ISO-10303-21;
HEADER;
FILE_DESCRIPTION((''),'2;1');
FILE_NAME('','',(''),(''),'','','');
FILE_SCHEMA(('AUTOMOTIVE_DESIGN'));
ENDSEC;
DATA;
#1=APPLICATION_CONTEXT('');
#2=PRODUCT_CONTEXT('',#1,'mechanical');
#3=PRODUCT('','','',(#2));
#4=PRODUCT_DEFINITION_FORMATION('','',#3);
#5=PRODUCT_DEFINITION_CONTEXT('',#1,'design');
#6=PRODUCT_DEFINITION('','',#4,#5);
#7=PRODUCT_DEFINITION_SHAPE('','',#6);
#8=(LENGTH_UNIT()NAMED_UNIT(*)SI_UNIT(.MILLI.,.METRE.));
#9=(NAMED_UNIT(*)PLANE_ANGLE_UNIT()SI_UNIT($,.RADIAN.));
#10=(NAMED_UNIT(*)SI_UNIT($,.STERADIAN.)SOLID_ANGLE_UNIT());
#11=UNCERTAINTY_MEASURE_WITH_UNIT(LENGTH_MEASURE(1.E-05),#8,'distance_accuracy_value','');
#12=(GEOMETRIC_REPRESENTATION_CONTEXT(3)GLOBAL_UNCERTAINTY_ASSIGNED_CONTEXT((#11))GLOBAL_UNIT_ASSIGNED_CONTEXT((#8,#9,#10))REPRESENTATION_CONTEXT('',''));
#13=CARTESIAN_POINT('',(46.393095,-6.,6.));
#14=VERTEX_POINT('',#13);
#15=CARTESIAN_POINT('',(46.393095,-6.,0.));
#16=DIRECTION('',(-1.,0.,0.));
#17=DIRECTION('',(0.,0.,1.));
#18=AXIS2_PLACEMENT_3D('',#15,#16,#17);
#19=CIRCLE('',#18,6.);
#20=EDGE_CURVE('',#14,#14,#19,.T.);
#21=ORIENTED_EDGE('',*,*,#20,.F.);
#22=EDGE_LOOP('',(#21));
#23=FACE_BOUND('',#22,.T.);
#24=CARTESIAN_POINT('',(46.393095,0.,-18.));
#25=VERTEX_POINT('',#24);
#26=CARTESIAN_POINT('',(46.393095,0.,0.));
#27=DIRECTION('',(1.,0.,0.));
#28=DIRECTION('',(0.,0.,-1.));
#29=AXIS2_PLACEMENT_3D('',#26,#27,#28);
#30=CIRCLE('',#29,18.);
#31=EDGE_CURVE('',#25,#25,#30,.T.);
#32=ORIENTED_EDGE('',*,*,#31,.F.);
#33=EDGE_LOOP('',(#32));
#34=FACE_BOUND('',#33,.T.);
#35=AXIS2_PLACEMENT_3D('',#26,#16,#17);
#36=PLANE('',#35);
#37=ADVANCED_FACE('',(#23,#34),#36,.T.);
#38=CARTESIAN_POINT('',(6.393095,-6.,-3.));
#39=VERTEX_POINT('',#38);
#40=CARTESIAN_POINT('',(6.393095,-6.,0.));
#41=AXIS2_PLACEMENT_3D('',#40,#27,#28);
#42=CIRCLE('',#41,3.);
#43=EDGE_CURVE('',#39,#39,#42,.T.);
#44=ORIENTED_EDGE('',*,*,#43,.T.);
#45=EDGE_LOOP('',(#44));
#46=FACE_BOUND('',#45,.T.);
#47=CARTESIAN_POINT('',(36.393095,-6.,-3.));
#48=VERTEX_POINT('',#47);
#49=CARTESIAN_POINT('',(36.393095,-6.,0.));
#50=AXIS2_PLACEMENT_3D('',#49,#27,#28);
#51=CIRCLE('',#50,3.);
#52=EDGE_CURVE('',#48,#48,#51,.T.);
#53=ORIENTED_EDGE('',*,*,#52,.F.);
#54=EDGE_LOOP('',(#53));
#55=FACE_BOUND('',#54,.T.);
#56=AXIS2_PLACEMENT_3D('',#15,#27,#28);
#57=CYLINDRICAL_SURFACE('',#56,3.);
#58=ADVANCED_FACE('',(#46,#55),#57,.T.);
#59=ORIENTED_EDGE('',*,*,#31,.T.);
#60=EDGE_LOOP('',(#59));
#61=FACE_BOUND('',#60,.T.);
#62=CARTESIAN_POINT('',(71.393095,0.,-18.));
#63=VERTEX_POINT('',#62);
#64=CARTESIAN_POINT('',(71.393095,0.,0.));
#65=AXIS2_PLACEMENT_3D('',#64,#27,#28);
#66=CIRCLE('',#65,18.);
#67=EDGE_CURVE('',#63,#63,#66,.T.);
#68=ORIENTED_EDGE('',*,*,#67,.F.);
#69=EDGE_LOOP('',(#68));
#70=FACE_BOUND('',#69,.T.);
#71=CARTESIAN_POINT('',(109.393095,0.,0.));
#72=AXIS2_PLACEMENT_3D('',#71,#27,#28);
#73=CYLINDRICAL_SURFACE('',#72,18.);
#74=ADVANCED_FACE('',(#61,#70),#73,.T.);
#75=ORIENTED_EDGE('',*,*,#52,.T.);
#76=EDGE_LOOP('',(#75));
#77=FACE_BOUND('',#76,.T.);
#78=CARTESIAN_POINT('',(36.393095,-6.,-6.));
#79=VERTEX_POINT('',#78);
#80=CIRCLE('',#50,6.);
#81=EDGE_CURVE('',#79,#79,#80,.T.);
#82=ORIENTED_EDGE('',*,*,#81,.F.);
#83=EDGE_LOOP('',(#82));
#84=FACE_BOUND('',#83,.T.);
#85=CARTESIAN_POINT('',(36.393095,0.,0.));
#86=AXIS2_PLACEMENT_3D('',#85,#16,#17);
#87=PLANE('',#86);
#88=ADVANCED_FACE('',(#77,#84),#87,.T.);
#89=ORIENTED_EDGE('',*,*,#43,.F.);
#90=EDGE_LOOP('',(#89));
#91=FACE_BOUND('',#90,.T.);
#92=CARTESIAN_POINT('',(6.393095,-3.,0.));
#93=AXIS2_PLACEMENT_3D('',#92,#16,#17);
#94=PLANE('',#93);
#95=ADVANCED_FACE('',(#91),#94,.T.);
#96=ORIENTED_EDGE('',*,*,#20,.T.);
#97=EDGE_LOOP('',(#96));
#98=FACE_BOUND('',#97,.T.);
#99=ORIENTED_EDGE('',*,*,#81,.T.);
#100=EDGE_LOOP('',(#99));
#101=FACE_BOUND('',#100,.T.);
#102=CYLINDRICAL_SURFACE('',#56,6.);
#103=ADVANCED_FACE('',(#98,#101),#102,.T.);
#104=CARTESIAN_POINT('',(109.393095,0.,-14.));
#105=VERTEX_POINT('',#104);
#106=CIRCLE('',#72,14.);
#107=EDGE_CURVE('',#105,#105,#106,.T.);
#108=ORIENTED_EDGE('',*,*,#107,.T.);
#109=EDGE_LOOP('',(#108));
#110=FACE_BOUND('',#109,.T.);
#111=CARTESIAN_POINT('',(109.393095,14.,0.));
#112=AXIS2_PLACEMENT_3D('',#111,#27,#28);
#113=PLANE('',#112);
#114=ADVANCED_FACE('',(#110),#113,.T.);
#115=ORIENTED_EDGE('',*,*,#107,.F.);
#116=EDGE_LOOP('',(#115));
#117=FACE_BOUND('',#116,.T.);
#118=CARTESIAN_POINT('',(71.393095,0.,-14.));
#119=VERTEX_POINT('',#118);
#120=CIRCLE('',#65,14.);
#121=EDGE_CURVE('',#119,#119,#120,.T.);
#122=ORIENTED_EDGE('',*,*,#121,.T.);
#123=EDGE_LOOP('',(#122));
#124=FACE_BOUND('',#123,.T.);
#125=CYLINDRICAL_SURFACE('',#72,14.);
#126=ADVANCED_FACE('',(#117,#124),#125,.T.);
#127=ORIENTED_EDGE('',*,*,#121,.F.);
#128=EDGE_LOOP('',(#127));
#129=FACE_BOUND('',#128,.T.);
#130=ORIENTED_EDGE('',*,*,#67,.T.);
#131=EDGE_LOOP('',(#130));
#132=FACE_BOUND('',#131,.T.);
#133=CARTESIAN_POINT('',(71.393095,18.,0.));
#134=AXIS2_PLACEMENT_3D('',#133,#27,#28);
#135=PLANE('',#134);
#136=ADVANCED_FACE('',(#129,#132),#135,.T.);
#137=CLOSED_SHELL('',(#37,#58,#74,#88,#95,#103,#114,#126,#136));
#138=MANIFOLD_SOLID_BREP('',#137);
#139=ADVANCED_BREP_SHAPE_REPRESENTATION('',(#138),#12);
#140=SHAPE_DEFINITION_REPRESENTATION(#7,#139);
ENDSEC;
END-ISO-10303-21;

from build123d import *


with BuildPart() as part:
    # Sketch2 → Revolve2 (revolve)
    with BuildSketch(Plane.XY, mode=Mode.PRIVATE) as revolve2_sk:
        Polygon((46.393095281, 0), (46.393095281, 18), (71.393095281, 18), (71.393095281, 14), (109.393095281, 14), (109.393095281, 0), align=None)
    revolve(revolve2_sk.sketch.rotate(Axis((109.393095281, 0, 0), (-1, 0, 0)), 90), axis=Axis((109.393095281, 0, 0), (-1, 0, 0)))

    # Sketch13 → Revolve3 (revolve)
    with BuildSketch(Plane.XY, mode=Mode.PRIVATE) as revolve3_sk:
        Polygon((46.393095281, -6), (46.393095281, 0), (36.393095281, 0), (36.393095281, -3), (6.393095281, -3), (6.393095281, -6), align=None)
    revolve(revolve3_sk.sketch.rotate(Axis((46.393095281, -6, 0), (-1, 0, 0)), 90), axis=Axis((46.393095281, -6, 0), (-1, 0, 0)))


solid = part.part
